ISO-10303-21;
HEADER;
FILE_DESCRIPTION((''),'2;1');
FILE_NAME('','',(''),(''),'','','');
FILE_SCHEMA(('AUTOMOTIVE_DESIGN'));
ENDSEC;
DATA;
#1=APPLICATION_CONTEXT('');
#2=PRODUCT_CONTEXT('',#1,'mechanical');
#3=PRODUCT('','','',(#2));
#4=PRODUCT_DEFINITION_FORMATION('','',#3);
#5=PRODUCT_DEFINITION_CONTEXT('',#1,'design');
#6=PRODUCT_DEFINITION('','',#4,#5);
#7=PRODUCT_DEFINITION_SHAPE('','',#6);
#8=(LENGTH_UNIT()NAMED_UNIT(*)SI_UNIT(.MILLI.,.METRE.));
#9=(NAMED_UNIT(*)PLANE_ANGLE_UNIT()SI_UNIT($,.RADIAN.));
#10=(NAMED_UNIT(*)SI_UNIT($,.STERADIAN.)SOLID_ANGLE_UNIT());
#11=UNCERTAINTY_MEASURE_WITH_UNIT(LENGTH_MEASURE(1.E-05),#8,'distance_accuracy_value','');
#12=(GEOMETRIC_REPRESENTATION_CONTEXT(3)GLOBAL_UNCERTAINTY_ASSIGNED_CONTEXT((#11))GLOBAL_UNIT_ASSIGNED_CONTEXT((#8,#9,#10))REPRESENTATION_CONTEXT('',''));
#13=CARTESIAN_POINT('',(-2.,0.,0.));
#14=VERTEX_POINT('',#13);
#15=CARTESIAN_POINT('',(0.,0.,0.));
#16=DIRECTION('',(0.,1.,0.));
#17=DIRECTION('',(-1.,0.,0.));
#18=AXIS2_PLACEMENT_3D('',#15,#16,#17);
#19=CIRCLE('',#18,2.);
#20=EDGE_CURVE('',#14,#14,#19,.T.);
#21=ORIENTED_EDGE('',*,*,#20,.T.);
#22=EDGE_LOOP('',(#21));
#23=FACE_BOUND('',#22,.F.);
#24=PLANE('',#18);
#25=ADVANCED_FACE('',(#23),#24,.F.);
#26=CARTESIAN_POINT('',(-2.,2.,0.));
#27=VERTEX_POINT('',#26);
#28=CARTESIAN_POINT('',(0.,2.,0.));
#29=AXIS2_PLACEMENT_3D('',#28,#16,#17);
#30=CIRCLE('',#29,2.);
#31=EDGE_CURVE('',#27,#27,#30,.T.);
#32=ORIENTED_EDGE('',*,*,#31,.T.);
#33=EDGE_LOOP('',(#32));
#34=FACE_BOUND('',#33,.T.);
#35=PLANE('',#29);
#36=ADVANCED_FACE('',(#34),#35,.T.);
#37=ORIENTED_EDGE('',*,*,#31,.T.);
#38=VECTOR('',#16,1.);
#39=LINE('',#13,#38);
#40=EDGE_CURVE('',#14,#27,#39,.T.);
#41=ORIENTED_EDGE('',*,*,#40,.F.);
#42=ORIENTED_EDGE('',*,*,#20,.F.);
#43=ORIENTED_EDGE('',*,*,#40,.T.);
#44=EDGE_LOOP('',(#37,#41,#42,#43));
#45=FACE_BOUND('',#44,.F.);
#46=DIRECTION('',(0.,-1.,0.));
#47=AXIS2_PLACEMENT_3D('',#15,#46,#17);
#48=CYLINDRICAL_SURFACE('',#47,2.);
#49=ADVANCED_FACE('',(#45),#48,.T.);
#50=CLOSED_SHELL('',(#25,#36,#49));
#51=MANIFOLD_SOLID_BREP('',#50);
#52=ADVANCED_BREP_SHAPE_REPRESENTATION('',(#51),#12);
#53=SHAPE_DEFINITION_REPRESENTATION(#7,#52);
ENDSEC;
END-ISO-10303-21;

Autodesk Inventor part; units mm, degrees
ref_plane "YZ Plane" through (0, 0, 0) normal (1, 0, 0) x (0, 1, 0)
ref_plane "XZ Plane" through (0, 0, 0) normal (0, 1, 0) x (-1, 0, 0)
ref_plane "XY Plane" through (0, 0, 0) normal (0, 0, 1) x (1, 0, 0)
sketch "Sketch1" plane through (0, 0, 0) normal (0, 1, 0) x (-1, 0, 0)
  circle A0 centre (0, 0) radius 2
  dimension "d0" = 4
extrude "Extrusion1" add sketch "Sketch1" along normal blind 2
properties part number "neodym_magnet" material "Nickel-Copper Alloy 400"
